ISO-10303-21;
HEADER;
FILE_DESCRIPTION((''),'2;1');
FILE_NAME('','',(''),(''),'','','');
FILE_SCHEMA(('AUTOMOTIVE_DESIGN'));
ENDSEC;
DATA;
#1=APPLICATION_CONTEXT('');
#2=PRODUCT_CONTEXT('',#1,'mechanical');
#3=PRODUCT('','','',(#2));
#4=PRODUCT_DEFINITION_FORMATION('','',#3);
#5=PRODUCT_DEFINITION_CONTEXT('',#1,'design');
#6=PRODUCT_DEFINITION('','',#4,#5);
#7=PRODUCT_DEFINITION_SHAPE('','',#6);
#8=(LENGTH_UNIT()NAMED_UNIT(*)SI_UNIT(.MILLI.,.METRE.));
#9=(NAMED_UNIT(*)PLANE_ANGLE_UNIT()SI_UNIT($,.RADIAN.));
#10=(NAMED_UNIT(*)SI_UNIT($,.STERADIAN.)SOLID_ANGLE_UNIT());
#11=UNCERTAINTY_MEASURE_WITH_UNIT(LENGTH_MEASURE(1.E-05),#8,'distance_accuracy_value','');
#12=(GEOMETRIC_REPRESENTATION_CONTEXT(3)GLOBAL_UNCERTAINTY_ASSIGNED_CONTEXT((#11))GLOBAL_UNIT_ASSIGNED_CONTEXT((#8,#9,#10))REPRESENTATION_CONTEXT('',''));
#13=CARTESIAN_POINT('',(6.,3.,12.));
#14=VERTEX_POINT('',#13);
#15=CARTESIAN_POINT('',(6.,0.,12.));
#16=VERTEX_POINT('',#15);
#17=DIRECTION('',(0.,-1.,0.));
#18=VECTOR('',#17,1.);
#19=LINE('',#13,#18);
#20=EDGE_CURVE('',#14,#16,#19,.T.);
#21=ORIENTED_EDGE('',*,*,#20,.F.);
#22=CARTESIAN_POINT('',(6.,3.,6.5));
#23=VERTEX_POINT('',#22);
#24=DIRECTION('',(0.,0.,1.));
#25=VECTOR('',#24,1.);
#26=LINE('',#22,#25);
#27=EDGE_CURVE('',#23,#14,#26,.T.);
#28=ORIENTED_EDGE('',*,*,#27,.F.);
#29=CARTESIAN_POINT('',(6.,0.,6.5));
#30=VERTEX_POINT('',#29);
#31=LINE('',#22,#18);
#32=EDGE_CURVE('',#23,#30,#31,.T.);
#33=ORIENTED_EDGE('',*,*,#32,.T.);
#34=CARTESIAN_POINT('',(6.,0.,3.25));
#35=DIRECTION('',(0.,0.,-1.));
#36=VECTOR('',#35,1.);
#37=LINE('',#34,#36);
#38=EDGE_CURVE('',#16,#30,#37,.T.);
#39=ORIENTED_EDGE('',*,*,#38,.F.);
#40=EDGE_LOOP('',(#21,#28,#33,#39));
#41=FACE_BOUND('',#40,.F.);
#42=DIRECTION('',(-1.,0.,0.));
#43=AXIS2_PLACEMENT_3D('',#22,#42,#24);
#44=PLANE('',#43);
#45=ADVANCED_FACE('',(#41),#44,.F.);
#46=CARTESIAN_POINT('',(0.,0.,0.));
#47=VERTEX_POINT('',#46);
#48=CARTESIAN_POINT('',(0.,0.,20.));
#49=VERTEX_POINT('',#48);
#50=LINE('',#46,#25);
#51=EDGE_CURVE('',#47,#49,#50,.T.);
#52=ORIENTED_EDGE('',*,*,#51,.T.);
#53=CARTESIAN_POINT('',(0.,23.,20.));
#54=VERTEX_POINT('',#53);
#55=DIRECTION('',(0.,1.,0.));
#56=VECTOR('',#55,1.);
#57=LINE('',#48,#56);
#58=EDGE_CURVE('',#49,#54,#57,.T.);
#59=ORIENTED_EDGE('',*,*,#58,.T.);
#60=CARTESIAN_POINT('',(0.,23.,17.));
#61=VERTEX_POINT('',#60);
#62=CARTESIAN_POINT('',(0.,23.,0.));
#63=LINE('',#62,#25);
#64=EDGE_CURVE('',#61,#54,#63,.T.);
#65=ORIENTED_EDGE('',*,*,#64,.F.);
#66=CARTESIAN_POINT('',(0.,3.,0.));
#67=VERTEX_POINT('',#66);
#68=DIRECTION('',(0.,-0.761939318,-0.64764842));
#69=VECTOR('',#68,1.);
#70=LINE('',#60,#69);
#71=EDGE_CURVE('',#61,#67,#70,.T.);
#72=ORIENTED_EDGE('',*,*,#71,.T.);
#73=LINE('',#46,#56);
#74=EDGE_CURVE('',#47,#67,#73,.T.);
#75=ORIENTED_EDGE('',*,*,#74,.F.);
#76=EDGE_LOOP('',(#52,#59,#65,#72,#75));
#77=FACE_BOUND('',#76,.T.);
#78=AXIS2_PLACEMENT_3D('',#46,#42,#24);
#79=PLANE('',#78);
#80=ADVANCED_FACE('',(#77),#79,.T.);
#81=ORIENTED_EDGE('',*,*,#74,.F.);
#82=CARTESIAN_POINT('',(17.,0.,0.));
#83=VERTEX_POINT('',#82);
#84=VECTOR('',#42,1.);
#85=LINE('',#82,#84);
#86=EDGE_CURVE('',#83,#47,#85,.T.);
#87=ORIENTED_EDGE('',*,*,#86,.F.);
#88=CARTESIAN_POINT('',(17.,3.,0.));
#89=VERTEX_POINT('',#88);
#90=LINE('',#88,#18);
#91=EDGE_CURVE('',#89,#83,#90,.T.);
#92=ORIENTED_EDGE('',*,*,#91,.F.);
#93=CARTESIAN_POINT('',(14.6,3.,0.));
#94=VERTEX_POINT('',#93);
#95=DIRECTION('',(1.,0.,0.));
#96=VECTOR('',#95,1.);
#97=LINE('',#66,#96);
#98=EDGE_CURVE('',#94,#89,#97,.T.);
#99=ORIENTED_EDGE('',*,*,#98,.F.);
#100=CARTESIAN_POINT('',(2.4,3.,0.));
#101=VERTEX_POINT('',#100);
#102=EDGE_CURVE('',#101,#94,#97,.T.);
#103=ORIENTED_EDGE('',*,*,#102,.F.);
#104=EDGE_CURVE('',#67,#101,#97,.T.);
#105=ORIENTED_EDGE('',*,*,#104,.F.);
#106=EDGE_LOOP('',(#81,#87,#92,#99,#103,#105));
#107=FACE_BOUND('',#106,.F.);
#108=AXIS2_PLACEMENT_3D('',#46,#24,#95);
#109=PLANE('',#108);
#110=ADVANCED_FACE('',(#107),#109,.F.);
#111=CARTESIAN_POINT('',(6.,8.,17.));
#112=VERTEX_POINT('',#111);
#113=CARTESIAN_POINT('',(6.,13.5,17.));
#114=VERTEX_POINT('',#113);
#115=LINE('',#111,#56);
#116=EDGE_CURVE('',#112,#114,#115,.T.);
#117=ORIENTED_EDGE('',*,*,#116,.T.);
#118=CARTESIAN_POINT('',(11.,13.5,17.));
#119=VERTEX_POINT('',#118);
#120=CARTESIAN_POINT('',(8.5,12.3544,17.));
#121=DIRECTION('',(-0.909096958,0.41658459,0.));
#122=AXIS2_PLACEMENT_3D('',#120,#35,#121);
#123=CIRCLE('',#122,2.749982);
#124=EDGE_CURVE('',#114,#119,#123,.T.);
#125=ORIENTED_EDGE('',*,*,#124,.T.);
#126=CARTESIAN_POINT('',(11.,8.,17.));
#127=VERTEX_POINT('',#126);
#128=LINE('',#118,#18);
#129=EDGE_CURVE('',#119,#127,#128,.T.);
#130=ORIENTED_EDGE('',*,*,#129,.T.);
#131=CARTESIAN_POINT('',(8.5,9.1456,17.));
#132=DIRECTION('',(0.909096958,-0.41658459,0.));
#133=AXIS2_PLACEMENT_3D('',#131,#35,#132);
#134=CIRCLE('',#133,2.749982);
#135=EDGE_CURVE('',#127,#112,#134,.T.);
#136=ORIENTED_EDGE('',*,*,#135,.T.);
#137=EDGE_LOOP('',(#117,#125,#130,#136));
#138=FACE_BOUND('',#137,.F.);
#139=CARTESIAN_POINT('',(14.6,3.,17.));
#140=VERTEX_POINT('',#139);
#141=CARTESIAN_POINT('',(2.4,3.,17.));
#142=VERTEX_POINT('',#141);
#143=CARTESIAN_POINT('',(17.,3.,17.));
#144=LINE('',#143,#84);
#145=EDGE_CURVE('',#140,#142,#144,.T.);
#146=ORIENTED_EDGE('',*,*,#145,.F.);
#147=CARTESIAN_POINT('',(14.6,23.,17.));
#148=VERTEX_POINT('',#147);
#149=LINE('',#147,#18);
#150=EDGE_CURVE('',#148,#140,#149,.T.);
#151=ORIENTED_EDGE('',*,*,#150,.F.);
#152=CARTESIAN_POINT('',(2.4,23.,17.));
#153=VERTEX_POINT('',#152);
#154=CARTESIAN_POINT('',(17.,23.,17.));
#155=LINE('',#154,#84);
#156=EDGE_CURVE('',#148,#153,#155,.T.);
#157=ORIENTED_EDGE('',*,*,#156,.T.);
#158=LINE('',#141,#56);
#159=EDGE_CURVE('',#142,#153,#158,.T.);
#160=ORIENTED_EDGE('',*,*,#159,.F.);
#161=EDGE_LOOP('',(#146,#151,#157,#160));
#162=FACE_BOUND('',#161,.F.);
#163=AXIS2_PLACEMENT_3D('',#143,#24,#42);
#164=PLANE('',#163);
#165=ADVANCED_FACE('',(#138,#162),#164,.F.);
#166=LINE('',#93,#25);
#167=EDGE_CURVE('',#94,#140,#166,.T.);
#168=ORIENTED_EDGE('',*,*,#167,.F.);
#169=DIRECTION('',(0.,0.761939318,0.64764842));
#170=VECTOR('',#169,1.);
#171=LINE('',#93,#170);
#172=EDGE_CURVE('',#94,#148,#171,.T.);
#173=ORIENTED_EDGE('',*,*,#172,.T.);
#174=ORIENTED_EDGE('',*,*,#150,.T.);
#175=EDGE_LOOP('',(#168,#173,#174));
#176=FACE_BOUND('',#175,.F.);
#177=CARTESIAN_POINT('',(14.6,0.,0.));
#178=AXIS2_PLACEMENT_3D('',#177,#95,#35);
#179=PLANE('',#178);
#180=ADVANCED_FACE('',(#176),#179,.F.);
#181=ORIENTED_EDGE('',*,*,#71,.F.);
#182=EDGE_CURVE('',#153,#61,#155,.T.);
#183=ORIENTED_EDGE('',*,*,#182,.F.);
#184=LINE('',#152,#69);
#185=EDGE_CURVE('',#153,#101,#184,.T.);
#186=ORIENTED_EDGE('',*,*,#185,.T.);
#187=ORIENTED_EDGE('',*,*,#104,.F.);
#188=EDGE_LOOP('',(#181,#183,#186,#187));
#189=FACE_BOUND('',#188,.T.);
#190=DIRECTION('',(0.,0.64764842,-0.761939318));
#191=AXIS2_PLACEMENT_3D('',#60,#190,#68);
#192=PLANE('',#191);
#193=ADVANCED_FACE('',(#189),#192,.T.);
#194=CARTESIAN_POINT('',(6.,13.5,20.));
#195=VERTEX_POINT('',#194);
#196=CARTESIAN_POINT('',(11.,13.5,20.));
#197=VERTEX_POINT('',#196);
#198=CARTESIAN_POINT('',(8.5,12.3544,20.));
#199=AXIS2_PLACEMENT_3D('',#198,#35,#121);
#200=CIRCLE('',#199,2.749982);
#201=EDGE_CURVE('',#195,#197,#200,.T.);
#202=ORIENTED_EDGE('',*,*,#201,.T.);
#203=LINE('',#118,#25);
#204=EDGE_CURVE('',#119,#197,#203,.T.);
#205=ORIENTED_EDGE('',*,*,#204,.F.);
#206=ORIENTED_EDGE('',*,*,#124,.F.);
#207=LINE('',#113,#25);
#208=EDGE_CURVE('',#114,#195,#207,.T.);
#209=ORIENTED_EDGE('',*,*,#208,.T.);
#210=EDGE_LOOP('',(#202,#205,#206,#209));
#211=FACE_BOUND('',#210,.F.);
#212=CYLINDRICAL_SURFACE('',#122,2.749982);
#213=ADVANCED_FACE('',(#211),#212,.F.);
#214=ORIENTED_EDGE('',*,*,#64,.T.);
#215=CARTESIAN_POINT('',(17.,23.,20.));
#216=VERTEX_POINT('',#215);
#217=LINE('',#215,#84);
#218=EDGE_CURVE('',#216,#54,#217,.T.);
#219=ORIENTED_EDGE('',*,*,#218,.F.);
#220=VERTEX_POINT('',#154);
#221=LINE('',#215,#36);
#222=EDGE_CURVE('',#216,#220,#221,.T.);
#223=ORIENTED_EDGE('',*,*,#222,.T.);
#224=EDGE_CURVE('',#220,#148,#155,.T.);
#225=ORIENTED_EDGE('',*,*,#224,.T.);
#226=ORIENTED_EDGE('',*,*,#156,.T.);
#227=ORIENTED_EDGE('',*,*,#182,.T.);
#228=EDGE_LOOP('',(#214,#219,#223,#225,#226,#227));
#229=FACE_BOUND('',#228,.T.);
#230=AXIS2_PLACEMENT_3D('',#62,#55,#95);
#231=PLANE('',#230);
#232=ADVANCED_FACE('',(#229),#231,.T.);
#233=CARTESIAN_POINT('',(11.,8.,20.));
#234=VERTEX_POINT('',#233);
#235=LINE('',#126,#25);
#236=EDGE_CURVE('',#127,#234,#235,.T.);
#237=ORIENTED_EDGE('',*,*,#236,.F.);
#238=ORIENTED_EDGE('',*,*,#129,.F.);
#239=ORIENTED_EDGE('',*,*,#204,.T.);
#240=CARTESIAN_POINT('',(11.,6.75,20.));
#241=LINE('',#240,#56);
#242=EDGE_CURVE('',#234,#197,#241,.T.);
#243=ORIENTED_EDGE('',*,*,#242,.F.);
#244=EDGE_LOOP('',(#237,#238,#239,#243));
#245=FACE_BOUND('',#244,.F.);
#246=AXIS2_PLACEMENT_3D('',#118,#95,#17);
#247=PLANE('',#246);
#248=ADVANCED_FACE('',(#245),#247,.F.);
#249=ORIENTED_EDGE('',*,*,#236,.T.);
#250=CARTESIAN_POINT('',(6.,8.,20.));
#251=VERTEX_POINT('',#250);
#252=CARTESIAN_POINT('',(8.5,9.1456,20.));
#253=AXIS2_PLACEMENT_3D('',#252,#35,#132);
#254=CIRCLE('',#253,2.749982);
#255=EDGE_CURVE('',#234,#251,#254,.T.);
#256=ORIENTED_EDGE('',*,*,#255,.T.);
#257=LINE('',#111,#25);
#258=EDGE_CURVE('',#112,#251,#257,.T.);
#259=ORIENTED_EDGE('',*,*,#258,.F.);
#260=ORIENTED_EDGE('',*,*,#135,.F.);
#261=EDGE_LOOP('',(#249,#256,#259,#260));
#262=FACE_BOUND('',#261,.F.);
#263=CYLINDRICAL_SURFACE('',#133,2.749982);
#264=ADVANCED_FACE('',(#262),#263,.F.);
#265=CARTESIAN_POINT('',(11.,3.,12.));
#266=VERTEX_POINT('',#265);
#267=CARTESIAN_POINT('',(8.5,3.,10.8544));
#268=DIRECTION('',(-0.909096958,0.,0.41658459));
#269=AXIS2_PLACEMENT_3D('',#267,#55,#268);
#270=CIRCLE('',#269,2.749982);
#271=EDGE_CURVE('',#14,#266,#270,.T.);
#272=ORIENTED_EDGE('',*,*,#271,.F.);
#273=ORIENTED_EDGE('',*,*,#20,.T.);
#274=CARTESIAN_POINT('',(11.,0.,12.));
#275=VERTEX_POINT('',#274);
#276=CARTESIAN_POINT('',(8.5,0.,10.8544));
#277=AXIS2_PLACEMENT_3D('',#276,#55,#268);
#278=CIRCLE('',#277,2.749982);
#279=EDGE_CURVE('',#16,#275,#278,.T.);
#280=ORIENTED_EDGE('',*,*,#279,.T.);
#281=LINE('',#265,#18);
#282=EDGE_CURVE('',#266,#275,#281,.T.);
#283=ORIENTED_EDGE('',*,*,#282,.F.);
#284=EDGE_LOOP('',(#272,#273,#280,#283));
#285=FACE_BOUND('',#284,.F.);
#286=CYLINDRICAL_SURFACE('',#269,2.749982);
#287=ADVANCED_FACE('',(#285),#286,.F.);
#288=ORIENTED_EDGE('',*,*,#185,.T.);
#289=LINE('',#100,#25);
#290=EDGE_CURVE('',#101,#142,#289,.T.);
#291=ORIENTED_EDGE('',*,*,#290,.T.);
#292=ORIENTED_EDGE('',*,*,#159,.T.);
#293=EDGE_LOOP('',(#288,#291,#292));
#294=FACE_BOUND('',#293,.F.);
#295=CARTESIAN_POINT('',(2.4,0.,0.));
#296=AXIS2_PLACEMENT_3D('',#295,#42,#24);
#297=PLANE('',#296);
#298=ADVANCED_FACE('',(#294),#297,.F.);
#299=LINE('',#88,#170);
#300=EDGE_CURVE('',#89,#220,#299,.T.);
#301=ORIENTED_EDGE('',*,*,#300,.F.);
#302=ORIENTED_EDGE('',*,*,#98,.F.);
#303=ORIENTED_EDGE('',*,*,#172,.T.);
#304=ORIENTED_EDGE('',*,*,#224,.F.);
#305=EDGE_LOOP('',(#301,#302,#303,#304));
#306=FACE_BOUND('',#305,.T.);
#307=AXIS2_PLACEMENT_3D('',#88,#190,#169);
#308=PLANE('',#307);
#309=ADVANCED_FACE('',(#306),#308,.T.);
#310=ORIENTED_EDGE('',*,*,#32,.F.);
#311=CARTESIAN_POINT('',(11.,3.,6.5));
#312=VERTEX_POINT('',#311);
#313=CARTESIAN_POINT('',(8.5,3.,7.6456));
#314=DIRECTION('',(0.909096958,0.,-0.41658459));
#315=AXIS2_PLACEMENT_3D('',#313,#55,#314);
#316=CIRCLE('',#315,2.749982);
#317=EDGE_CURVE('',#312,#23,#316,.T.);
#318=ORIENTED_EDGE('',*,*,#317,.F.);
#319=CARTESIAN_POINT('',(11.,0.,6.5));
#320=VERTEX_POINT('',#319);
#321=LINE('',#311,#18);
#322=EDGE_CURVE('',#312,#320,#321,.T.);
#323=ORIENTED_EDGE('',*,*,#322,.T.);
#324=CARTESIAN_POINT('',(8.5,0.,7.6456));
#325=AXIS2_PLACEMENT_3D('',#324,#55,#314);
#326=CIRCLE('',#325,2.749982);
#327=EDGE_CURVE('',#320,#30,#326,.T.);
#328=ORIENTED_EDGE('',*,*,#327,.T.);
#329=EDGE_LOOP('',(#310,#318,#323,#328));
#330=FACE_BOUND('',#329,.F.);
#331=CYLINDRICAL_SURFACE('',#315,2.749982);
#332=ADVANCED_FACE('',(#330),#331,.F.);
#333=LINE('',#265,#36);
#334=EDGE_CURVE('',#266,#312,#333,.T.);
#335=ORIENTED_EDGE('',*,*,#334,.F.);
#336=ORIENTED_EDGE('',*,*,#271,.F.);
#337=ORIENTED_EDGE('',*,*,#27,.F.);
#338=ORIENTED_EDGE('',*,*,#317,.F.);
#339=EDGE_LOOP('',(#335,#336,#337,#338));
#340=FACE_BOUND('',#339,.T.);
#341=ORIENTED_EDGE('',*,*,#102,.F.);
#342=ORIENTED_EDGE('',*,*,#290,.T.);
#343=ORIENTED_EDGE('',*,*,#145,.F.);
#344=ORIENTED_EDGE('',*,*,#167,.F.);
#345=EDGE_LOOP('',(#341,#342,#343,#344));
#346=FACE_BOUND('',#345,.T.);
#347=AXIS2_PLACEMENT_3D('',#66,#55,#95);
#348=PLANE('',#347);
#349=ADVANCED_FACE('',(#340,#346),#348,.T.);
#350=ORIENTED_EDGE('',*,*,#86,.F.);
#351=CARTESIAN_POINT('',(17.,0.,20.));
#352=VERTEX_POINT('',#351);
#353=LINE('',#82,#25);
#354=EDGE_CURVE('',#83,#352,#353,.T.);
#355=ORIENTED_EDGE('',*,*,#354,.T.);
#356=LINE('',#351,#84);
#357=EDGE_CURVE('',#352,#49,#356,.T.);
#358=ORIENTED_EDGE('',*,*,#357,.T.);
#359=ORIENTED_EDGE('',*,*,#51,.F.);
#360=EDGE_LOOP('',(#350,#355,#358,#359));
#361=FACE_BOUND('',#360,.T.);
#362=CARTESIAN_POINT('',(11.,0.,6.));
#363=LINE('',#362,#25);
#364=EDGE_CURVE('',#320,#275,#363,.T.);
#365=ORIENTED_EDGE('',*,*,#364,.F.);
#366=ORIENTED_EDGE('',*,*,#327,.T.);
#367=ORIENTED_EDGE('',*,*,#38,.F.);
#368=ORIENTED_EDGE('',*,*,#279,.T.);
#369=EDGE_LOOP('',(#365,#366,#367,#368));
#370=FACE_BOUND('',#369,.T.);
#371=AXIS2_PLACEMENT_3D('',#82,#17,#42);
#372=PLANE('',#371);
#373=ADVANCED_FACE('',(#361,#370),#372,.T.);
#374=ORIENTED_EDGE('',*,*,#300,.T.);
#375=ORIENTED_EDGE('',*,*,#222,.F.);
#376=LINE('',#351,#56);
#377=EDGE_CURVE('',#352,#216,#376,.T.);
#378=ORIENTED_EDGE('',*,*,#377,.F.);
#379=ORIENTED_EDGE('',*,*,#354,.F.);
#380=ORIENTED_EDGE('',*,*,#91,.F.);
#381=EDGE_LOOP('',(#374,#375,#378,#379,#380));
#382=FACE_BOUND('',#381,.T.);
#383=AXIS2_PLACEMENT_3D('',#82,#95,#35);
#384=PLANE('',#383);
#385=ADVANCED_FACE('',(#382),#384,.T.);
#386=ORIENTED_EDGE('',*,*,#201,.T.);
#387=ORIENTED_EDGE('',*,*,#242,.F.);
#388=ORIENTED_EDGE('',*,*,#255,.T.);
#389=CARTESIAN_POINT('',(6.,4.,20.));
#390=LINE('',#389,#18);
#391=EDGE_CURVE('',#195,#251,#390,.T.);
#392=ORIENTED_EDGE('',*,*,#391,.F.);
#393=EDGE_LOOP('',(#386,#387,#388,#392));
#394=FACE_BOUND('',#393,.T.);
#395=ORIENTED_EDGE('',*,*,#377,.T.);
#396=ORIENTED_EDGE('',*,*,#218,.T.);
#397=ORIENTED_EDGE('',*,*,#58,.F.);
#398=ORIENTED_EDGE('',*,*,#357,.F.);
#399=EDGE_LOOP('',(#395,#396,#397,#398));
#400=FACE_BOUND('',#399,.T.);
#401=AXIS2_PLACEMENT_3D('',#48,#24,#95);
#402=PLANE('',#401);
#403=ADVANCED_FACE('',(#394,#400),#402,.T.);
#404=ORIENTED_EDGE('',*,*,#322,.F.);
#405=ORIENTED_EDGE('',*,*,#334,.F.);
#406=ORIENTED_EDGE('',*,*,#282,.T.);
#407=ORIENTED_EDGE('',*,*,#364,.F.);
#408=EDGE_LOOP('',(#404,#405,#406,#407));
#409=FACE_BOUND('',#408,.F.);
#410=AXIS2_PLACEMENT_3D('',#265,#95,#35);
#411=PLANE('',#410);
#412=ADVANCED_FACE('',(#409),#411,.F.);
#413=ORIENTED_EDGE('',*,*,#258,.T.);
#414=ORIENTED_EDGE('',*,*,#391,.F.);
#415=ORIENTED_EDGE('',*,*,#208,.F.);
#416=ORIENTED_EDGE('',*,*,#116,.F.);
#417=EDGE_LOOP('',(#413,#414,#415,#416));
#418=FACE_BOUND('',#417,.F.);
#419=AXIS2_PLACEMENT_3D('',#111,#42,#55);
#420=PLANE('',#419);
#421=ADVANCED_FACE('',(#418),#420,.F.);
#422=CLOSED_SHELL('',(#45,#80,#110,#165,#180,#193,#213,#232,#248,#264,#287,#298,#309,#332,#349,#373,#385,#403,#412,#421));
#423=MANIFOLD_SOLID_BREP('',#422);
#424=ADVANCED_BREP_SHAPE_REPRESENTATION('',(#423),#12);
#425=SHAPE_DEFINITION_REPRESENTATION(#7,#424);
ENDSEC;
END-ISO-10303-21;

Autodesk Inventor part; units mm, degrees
ref_plane "YZ Plane" through (0, 0, 0) normal (1, 0, 0) x (0, 1, 0)
ref_plane "XZ Plane" through (0, 0, 0) normal (0, 1, 0) x (-1, 0, 0)
ref_plane "XY Plane" through (0, 0, 0) normal (0, 0, 1) x (1, 0, 0)
sketch "Sketch1" plane through (0, 0, 0) normal (0, 0, 1) x (1, 0, 0)
  line L0 (0, 0) -> (0, 3)
  line L1 (0, 3) -> (17, 3)
  line L2 (17, 3) -> (17, 0)
  line L3 (17, 0) -> (0, 0)
  dimension "d0" = 3
  dimension "d1" = 17
extrude "Extrusion1" add sketch "Sketch1" along normal blind 20
sketch "Sketch2" plane through (17, 0, 0) normal (1, 0, 0) x (0, 0, -1)
  point P0 (0, 0)
sketch "Sketch3" plane through (0, 3, 0) normal (0, 1, 0) x (1, 0, 0)
  line L0 (17, -20) -> (17, -17)
  line L1 (17, 0) -> (17, -20) projected
  line L2 (17, -17) -> (0, -17)
  line L3 (0, 0) -> (0, -20) projected
  line L4 (17, -20) -> (0, -20) projected
  line L5 (0, -20) -> (0, -17)
  line L6 (0, -20) -> (17, -20)
  dimension "d4" = 3
extrude "Extrusion2" add sketch "Sketch3" along normal blind 20
sketch "Sketch4" plane through (17, 0, 0) normal (1, 0, 0) x (0, 0, -1)
  line L0 (-20, 23) -> (-17, 23) projected
  line L1 (0, 3) -> (-17, 23)
  line L2 (0, 3) -> (-17, 3) projected
  line L3 (-17, 23) -> (-17, 3)
  line L4 (-17, 3) -> (0, 3)
  point P0 (0, 0)
extrude "Extrusion3" add sketch "Sketch4" against normal blind 2.4
sketch "Sketch5" plane through (0, 0, 0) normal (-1, 0, 0) x (0, 0, 1)
  line L0 (17, 3) -> (17, 23) projected
  line L1 (0, 3) -> (0, 0) projected
  line L2 (17, 23) -> (0, 3)
  line L3 (0, 3) -> (17, 3)
  line L4 (17, 23) -> (0, 3) projected
  line L5 (17, 3) -> (17, 23)
extrude "Extrusion4" add sketch "Sketch5" against normal blind 2.4
sketch "Sketch6" plane through (14.6, 3, 17) normal (0, 0, -1) x (-1, 0, 0)
  line L0 (-2.4, -3) -> (-2.4, 20) projected
  line L1 (-2.4, -3) -> (6.1, -3)
  line L2 (14.6, -3) -> (-2.4, -3) projected
  line L3 (6.1, 5) -> (6.7519, 5)
  line L4 (6.7519, 10.5) -> (6.1, 10.5)
  line L5 (6.1, 10.5) -> (3.6, 10.5)
  line L6 (3.6, 10.5) -> (8.6, 10.5)
  line L7 (6.1, 5) -> (3.6, 5)
  line L8 (3.6, 5) -> (8.6, 5)
  line L9 (8.6, 5) -> (8.6, 10.5)
  line L10 (3.6, 10.5) -> (3.6, 5)
  arc A0 (8.6, 10.5) -> (3.6, 10.5) centre (6.1, 9.3544) ccw
  arc A1 (3.6, 5) -> (8.6, 5) centre (6.1, 6.1456) ccw
  dimension "d11" = 8.5
extrude "Extrusion5" cut sketch "Sketch6" against normal through all
sketch "Sketch7" plane through (2.4, 3, 17) normal (0, 1, 0) x (1, 0, 0)
  line L0 (-2.4, -3) -> (-2.4, 20)
  line L1 (-2.4, -3) -> (6.1, -3)
  line L2 (14.6, -3) -> (-2.4, -3)
  line L3 (6.1, 5) -> (6.7519, 5)
  line L4 (6.7519, 10.5) -> (6.1, 10.5)
  line L5 (6.1, 10.5) -> (3.6, 10.5)
  line L6 (3.6, 10.5) -> (8.6, 10.5)
  line L7 (6.1, 5) -> (3.6, 5)
  line L8 (3.6, 5) -> (8.6, 5)
  line L9 (8.6, 5) -> (8.6, 10.5)
  line L10 (3.6, 10.5) -> (3.6, 5)
  arc A0 (8.6, 10.5) -> (3.6, 10.5) centre (6.1, 9.3544) ccw
  arc A1 (3.6, 5) -> (8.6, 5) centre (6.1, 6.1456) ccw
  dimension "d25" = 8.5
extrude "Extrusion6" cut sketch "Sketch7" against normal through all
properties part number "90 Degree attachment T Slot"
